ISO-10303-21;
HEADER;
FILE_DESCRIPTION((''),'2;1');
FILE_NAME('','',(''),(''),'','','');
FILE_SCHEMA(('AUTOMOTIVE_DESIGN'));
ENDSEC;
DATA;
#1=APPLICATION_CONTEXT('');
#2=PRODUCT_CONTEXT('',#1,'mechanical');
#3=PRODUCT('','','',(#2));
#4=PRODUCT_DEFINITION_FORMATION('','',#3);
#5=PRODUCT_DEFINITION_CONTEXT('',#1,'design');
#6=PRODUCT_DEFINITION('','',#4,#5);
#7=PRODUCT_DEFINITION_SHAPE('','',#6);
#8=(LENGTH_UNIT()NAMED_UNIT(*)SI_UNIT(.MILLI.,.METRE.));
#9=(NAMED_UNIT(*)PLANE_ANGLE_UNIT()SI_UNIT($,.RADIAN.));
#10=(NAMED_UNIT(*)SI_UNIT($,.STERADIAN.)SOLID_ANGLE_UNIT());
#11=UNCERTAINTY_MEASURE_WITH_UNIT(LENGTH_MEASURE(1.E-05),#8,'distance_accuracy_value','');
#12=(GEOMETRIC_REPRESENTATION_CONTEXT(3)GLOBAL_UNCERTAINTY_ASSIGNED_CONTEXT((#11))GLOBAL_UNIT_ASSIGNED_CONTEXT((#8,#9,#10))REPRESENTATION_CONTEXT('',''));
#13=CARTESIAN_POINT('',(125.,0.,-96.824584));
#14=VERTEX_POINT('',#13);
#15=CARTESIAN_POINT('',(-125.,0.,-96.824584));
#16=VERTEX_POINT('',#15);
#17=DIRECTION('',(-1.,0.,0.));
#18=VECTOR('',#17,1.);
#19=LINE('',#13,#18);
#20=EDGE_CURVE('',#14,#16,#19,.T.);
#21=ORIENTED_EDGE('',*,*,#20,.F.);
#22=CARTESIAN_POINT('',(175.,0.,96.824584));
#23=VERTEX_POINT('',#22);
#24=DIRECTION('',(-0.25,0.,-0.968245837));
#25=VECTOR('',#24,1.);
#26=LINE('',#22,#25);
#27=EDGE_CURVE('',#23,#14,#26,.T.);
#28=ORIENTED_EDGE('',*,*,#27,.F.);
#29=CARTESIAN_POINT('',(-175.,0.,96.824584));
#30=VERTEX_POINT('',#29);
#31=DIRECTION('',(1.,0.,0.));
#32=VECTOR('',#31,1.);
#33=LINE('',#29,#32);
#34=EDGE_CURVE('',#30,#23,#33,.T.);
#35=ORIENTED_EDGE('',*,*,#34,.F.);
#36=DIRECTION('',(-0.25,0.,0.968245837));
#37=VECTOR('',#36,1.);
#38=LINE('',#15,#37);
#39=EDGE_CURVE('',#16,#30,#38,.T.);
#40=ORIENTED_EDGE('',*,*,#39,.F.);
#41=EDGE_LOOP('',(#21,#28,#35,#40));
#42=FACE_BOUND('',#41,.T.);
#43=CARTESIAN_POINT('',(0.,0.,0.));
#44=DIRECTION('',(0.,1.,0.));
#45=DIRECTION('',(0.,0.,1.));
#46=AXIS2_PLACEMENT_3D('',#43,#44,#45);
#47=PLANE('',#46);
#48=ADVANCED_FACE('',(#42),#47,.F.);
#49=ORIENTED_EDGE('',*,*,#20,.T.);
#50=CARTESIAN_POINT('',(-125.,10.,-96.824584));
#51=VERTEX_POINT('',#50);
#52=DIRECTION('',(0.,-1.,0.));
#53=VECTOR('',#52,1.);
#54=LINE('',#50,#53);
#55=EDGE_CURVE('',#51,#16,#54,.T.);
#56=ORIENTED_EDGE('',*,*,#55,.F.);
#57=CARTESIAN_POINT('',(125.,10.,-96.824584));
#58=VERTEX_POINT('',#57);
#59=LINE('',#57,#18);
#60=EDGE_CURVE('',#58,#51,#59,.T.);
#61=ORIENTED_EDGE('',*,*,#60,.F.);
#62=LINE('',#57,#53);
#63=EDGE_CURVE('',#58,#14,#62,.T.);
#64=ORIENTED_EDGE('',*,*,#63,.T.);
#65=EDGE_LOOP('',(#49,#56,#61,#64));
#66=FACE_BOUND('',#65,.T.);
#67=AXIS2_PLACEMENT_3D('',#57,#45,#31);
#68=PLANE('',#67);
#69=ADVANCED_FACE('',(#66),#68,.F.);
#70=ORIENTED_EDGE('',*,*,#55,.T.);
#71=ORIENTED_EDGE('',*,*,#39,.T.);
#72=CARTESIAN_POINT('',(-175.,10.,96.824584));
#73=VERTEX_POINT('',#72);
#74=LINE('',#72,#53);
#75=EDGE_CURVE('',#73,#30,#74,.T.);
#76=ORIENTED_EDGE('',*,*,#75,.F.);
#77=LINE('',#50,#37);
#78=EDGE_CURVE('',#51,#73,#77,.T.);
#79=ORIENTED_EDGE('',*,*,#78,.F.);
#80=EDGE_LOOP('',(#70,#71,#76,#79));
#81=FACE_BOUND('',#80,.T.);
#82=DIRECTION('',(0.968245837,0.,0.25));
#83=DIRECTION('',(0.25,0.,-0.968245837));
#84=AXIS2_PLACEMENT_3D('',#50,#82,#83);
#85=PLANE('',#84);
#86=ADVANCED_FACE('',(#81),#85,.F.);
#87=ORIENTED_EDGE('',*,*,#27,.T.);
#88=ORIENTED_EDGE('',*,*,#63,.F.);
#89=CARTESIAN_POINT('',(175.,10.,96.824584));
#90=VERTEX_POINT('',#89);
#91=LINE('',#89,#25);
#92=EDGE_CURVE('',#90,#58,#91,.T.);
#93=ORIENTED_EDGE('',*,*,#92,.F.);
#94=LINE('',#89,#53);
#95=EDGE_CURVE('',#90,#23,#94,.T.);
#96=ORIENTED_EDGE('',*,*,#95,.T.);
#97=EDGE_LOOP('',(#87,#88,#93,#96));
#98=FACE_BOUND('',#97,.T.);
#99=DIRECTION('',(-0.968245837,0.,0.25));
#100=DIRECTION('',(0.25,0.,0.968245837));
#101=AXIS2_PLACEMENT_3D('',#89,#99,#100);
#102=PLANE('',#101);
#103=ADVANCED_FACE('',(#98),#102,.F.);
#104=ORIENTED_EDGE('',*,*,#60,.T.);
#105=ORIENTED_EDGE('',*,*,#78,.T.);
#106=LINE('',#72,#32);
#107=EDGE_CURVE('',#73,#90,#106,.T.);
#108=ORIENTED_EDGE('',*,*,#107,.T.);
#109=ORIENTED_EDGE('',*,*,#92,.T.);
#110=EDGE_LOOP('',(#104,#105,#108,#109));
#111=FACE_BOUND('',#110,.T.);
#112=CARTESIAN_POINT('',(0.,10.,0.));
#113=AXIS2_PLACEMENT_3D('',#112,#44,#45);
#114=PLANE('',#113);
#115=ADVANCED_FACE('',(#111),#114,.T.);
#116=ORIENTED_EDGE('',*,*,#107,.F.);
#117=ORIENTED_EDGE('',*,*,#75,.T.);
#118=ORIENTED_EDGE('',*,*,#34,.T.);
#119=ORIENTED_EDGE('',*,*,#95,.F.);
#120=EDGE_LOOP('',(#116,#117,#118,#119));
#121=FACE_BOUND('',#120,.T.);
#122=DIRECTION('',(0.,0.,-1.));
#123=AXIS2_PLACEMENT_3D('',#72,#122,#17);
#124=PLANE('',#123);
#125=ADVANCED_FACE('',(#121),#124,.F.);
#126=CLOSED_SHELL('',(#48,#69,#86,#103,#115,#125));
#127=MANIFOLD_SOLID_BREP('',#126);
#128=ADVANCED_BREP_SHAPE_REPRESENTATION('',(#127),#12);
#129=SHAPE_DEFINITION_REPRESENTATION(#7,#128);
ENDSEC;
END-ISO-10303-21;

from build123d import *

# Parameters (mm, degrees)
DODANIE_WYCI_GNI_CIE1_DEPTH = 10


with BuildPart() as part:
    # Szkic1 → Dodanie-wyciągnięcie1 (new body)
    with BuildSketch(Plane(origin=(0, 0, 0), x_dir=(1, 0, 0), z_dir=(0, 1, 0))):
        Polygon((-125, 96.824583655), (-175, -96.824583655), (175, -96.824583655), (125, 96.824583655), align=None)
    extrude(amount=DODANIE_WYCI_GNI_CIE1_DEPTH)


solid = part.part
